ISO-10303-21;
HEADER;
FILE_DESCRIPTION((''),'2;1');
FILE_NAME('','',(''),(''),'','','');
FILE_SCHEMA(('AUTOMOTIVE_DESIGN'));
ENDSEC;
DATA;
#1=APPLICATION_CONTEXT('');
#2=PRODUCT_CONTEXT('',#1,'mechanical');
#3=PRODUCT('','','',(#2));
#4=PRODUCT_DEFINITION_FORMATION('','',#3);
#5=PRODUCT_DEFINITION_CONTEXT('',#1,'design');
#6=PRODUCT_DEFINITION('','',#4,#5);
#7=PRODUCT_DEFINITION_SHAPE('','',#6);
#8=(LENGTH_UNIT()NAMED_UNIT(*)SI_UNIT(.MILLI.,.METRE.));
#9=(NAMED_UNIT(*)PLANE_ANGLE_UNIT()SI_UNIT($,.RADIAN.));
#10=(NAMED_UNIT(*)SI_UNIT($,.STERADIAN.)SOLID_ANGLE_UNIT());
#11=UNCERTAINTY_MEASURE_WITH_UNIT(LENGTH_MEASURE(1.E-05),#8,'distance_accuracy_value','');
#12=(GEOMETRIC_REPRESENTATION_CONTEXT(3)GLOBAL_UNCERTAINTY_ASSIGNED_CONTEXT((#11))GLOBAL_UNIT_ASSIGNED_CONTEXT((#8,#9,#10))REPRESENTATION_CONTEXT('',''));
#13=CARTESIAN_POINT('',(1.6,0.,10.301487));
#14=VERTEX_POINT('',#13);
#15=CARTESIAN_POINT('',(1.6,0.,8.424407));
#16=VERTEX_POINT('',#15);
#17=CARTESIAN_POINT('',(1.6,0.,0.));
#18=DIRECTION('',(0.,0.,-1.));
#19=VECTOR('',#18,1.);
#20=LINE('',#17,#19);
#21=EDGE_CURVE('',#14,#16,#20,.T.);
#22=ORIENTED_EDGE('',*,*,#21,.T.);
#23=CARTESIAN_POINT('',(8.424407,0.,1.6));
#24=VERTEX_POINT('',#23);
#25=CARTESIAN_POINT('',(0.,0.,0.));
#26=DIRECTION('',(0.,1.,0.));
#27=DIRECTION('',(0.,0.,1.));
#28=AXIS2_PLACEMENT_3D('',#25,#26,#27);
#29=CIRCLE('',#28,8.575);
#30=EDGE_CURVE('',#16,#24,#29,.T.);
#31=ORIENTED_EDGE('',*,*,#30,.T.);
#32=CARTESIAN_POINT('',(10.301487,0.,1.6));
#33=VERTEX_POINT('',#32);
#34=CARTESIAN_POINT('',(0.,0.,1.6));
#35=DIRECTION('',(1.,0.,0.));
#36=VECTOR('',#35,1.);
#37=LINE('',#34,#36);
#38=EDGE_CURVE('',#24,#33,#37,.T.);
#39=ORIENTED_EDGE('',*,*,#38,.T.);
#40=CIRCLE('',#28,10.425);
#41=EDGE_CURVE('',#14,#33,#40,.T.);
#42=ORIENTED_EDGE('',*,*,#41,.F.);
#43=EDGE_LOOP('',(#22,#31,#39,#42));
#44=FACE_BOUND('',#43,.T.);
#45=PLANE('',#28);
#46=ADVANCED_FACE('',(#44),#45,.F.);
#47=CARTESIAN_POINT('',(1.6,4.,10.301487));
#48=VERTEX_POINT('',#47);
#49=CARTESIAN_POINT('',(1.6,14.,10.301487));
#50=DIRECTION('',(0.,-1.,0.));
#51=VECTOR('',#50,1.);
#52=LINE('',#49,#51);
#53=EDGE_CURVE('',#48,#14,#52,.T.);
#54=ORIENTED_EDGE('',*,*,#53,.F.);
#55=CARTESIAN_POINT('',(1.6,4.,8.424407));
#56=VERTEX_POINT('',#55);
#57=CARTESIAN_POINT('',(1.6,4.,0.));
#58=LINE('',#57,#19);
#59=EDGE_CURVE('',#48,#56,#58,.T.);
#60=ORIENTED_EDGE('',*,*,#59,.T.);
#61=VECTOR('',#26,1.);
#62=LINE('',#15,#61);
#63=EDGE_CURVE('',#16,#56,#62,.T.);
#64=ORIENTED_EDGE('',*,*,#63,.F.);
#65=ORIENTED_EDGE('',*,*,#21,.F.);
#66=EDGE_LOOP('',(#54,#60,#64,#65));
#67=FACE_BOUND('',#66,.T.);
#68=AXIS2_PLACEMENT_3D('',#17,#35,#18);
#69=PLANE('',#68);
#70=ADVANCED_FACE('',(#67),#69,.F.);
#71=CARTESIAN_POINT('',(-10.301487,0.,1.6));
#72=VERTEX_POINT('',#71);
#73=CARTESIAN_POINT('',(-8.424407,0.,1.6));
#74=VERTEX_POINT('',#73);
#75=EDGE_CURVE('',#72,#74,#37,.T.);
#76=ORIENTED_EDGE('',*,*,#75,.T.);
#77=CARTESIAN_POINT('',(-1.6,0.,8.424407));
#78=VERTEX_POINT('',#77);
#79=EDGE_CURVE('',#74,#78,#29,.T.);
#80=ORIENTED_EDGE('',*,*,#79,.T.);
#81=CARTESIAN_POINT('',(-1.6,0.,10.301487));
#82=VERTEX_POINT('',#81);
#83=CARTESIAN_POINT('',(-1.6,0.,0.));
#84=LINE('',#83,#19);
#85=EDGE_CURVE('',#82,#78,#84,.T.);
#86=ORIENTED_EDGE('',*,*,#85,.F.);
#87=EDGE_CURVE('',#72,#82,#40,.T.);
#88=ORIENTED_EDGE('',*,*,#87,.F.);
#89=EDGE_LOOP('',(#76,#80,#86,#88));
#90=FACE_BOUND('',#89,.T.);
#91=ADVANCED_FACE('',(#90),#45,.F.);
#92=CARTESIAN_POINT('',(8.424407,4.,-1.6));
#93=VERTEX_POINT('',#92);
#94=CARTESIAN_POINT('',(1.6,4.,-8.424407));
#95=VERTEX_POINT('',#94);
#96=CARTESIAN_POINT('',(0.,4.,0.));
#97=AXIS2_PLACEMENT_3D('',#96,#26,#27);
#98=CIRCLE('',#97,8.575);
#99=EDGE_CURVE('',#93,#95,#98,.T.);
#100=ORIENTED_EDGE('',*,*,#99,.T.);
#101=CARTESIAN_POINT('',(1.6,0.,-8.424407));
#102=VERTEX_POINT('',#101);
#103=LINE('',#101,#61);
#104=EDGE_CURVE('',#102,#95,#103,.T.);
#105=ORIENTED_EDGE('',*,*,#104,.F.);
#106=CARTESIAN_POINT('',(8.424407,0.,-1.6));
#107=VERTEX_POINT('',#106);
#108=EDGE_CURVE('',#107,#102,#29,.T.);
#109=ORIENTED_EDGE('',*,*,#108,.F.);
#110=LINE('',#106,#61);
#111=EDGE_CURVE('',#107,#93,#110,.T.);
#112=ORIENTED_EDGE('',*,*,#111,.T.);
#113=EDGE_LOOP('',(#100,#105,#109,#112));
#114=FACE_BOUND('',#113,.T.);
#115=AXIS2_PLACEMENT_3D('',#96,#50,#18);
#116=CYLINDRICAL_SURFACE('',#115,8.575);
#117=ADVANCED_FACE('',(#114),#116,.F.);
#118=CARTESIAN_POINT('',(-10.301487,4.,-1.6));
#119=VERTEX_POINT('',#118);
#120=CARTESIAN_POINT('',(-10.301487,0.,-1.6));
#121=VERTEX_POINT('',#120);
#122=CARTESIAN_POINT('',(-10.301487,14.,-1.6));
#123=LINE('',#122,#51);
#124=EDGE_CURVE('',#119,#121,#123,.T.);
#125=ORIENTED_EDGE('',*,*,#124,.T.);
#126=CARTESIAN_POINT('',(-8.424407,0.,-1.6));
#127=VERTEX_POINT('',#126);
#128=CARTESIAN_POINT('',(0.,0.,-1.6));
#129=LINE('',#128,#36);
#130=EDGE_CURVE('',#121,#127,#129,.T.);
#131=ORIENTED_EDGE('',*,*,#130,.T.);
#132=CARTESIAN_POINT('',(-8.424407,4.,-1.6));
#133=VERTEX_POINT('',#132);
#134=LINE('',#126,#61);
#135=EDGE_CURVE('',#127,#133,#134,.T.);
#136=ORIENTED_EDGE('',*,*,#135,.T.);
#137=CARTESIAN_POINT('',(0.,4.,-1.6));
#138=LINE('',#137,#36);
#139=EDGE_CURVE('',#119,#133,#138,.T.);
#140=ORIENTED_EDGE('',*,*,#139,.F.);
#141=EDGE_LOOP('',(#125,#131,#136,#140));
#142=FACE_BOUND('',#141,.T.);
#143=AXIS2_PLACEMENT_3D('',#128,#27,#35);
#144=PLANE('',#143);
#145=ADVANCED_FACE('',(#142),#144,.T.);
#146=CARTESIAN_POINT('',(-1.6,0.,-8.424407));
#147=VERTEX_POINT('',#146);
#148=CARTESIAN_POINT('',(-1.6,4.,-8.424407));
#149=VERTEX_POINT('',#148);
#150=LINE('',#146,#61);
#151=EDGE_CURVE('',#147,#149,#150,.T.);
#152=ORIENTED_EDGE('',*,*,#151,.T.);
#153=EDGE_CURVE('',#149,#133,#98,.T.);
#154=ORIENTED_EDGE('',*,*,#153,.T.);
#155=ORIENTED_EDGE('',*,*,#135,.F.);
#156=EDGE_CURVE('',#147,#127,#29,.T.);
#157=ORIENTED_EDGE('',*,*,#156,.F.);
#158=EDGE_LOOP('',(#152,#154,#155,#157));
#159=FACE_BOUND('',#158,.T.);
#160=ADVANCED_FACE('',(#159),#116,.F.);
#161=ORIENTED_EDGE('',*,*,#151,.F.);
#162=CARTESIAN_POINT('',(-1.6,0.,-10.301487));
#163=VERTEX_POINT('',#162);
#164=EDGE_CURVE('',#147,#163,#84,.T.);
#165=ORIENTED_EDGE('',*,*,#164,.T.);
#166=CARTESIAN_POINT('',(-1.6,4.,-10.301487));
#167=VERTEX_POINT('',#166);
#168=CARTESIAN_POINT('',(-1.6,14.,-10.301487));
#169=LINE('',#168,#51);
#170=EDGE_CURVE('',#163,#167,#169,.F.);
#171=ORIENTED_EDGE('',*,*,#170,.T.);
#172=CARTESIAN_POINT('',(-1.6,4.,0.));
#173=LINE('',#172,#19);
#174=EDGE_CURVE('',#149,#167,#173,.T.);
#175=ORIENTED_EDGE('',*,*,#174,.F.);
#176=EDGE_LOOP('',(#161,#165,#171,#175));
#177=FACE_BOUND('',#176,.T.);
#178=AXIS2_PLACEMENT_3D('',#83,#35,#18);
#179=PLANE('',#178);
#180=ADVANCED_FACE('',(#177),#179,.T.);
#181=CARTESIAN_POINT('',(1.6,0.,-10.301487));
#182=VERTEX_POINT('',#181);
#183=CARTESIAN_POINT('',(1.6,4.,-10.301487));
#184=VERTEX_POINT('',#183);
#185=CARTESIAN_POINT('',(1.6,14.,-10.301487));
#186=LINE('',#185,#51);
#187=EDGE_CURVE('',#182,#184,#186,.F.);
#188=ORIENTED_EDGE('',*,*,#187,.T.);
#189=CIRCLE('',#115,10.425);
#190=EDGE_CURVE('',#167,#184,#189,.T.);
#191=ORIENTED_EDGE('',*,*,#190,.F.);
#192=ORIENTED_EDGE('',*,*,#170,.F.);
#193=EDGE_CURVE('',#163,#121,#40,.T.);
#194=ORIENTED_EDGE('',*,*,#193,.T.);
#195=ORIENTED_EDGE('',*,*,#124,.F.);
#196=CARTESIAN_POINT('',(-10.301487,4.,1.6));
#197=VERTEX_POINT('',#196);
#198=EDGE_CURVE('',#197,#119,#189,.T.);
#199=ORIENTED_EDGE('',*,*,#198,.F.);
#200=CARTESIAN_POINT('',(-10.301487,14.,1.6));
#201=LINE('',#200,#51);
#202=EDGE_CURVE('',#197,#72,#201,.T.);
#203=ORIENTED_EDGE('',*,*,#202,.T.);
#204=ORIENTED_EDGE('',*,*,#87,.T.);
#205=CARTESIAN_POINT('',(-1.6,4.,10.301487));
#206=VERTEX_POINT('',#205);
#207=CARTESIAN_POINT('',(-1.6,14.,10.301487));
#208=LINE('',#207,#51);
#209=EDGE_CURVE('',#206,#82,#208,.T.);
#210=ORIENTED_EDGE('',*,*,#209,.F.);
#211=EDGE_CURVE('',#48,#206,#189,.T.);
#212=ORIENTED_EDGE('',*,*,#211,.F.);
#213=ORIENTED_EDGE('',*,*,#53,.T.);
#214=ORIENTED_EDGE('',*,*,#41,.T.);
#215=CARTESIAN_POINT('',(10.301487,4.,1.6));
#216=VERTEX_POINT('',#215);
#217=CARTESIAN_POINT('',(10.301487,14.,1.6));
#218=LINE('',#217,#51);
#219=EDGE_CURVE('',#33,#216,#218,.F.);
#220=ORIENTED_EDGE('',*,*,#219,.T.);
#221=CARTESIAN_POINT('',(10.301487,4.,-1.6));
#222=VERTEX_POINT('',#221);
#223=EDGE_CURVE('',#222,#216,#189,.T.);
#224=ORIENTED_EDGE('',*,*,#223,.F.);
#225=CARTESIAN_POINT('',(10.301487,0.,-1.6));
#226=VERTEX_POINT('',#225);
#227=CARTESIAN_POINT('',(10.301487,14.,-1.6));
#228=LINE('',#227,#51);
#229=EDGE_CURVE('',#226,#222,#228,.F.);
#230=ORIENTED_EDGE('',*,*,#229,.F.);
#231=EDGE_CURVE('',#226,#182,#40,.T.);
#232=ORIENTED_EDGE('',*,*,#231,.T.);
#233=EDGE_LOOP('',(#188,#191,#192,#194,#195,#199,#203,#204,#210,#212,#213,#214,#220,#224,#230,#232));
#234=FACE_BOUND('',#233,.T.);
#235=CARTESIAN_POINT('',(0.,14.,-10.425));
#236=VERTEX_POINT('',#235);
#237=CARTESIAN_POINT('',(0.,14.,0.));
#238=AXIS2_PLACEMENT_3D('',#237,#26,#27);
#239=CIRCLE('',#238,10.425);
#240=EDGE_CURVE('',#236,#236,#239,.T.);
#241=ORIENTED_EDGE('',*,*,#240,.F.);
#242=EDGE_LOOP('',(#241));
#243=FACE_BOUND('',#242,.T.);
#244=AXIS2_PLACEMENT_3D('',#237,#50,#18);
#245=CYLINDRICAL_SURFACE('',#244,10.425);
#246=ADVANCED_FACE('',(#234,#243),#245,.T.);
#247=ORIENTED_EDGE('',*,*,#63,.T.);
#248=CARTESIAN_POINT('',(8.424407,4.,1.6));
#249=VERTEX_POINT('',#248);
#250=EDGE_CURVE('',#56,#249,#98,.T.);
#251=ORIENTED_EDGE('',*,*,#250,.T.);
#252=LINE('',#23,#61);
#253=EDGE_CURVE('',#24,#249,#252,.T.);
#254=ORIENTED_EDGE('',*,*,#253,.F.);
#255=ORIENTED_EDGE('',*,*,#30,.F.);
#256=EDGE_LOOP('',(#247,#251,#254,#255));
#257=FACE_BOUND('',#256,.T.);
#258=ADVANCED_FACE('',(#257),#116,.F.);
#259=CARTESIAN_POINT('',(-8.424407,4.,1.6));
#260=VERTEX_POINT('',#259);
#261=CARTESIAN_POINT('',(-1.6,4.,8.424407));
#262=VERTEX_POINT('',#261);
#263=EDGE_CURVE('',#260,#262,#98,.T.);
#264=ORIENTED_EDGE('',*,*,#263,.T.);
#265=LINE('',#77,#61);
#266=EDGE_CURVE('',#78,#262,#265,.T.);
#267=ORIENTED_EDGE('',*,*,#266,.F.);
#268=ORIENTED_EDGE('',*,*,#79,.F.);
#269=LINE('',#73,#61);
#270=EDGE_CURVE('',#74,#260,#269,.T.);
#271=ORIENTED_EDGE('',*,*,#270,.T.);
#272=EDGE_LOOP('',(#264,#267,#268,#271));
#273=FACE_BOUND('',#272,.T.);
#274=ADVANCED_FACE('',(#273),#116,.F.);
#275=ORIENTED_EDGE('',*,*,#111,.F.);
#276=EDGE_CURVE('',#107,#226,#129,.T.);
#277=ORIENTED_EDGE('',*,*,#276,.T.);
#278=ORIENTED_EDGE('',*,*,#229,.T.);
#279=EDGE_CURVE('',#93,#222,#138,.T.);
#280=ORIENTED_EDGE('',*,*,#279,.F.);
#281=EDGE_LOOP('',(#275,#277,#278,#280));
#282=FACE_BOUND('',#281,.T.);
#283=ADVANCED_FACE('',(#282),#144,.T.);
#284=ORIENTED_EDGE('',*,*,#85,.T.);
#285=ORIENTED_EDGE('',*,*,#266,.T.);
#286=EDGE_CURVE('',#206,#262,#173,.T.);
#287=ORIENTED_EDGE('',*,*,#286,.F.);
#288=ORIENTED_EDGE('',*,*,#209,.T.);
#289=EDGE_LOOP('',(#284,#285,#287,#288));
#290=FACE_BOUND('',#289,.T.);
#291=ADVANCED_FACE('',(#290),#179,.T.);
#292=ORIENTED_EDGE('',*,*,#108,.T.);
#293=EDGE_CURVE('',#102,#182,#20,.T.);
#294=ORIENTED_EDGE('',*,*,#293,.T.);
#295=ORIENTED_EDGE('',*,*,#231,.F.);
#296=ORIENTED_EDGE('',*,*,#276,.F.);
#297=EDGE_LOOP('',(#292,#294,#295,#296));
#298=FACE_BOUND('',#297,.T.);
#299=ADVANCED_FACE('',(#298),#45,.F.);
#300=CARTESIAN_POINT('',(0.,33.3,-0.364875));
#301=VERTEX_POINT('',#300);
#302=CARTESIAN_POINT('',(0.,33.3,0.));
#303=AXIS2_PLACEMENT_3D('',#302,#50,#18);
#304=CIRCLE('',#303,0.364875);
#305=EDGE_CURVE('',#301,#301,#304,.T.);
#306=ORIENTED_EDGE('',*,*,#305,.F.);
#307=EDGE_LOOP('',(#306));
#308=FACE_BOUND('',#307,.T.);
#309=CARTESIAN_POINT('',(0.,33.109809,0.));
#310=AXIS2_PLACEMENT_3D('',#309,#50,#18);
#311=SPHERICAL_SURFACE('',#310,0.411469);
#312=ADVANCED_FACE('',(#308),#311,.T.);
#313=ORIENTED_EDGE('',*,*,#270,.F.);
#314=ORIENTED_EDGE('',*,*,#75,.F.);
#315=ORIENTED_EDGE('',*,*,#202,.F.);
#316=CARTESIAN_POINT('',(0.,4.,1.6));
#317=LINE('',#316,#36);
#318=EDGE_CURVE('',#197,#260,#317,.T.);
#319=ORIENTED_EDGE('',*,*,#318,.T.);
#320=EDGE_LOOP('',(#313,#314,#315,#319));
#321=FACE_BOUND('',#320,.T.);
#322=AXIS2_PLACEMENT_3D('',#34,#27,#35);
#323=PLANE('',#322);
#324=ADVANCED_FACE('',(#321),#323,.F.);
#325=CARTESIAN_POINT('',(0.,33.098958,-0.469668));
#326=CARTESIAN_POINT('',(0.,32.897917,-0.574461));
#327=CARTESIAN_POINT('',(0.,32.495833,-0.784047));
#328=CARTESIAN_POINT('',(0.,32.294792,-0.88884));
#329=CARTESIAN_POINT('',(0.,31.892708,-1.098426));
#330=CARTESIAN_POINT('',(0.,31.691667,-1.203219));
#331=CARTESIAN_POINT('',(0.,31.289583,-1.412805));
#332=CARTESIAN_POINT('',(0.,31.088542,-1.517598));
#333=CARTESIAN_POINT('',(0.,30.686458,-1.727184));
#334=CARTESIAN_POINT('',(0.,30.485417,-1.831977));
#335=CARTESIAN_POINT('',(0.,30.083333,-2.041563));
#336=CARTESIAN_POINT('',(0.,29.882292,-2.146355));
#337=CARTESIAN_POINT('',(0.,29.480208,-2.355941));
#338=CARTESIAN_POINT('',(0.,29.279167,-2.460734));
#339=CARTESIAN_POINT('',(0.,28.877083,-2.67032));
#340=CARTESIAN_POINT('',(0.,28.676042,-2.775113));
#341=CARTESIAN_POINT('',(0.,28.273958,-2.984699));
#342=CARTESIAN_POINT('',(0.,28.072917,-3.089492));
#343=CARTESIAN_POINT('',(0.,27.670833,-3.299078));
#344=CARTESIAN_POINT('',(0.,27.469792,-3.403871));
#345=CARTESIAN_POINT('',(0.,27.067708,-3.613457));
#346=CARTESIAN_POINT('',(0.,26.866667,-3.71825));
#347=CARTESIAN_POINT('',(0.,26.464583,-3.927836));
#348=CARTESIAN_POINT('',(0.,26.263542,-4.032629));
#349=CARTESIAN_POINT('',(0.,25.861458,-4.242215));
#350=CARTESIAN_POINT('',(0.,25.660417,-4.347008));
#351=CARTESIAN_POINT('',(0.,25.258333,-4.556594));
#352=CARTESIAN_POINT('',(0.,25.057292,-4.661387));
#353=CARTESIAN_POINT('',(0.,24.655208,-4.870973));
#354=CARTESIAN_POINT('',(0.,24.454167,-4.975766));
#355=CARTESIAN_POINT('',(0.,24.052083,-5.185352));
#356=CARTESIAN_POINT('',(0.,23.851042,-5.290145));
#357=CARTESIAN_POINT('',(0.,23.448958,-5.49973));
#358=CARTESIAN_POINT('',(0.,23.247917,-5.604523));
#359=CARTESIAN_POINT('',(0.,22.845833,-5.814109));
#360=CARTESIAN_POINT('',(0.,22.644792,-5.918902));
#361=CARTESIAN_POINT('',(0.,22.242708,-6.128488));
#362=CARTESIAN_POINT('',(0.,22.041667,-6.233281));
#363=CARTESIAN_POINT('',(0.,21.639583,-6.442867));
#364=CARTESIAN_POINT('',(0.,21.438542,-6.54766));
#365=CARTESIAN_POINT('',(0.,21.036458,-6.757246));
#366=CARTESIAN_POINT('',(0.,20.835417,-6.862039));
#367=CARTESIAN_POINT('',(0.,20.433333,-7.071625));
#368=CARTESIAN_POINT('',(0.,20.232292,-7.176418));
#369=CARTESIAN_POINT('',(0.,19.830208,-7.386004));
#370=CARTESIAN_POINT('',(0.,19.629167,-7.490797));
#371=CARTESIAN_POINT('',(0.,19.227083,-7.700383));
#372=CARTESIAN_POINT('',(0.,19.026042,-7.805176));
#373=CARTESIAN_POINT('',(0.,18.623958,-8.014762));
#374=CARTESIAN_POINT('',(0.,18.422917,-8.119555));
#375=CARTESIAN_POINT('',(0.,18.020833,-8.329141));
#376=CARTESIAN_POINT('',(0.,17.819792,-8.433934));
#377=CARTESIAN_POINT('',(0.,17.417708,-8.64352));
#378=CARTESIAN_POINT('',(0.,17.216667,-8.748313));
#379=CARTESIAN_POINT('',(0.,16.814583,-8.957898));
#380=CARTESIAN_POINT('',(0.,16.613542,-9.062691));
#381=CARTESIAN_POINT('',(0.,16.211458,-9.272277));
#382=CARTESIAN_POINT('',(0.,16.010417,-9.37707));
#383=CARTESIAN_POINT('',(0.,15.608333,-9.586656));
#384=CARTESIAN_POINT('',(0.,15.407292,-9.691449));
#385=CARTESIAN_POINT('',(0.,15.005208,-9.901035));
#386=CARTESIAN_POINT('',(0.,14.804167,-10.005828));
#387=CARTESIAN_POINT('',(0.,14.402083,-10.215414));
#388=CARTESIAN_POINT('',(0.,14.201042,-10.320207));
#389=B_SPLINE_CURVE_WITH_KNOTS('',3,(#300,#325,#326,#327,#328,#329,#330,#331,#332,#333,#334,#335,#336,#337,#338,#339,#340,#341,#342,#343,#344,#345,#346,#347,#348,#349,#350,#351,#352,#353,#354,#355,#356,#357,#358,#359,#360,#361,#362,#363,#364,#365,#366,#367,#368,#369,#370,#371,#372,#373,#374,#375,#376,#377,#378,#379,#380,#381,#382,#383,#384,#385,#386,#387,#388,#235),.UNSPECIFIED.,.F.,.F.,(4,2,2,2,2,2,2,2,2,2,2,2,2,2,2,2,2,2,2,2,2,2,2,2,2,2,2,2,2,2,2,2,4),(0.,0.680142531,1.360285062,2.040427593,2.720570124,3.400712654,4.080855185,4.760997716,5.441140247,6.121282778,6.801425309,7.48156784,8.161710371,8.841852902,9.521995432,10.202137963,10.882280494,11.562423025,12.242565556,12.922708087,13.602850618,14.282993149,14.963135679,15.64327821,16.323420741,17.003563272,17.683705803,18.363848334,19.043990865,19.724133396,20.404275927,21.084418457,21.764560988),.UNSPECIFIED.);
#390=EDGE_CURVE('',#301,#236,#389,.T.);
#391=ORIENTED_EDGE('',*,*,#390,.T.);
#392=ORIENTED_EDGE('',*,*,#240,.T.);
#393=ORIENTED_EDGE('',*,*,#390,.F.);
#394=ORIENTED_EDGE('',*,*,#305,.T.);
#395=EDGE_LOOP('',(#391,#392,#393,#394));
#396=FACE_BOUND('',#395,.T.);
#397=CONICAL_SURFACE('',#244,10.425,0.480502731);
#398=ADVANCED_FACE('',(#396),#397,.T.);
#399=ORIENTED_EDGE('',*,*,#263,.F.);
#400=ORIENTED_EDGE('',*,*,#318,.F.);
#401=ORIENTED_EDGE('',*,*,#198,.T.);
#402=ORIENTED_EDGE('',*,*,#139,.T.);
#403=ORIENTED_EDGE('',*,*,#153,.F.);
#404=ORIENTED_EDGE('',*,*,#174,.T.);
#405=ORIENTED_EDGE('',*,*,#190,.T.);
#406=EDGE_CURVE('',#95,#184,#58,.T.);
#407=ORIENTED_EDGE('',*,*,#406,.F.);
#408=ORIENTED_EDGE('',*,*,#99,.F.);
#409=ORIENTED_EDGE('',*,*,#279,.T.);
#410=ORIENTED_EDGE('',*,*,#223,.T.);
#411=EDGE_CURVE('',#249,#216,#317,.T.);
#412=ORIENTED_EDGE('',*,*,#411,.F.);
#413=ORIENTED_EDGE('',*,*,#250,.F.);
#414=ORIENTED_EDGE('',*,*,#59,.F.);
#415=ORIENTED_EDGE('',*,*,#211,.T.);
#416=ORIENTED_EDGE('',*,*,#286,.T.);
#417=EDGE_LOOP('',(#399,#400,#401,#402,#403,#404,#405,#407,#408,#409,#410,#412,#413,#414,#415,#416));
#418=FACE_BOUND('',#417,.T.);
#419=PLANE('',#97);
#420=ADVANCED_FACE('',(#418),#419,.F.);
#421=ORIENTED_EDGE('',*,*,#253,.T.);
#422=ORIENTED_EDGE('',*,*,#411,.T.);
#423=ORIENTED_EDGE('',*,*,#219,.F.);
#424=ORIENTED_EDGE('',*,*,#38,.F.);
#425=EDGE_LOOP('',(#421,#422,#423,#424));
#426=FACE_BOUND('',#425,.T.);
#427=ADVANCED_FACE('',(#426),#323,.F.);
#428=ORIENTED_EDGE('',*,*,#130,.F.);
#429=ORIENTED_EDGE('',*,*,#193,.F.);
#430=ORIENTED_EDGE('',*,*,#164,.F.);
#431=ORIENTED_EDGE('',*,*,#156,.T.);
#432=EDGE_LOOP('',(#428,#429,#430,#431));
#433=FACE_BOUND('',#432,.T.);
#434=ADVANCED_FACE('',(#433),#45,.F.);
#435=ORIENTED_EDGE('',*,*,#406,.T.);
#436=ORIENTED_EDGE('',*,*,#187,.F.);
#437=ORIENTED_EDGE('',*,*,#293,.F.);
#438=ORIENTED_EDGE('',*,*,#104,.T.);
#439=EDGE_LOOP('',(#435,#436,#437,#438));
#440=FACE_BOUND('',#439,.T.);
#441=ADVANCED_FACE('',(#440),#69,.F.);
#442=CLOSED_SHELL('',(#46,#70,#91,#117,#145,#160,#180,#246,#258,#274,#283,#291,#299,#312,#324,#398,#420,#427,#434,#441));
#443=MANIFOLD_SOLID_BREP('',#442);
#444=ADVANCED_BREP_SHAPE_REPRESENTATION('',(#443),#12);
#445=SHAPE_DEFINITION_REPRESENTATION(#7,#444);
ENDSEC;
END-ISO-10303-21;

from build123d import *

# Parameters (mm, degrees)
SKETCH1_R           = 10.425
SKETCH1_R_2         = 8.575
BOSS_EXTRUDE1_DEPTH = 14
SKETCH1_2_R         = 8.575
BOSS_EXTRUDE2_DEPTH = 14
SKETCH1_3_R         = 8.575
CUT_EXTRUDE1_DEPTH  = 4
CUT_EXTRUDE3_START  = 4
CUT_EXTRUDE3_DEPTH  = 4


with BuildPart() as part:
    # Sketch1 → Boss-Extrude1 (new body)
    with BuildSketch(Plane(origin=(0, 0, 0), x_dir=(1, 0, 0), z_dir=(0, 1, 0))):
        Circle(SKETCH1_R)
        Circle(SKETCH1_R_2, mode=Mode.SUBTRACT)
    extrude(amount=BOSS_EXTRUDE1_DEPTH)

    # Sketch1<2> → Boss-Extrude2 (add)
    with BuildSketch(Plane(origin=(0, 0, 0), x_dir=(1, 0, 0), z_dir=(0, 1, 0))):
        Circle(SKETCH1_2_R)
    extrude(amount=BOSS_EXTRUDE2_DEPTH)

    # Sketch1<3> → Cut-Extrude1 (cut)
    with BuildSketch(Plane(origin=(0, 0, 0), x_dir=(1, 0, 0), z_dir=(0, 1, 0))):
        Circle(SKETCH1_3_R)
    extrude(amount=CUT_EXTRUDE1_DEPTH, mode=Mode.SUBTRACT)

    # Sketch2 → Cut-Extrude3 (cut)
    with BuildSketch(Plane.XZ.offset(-4).offset(CUT_EXTRUDE3_START)):
        with BuildLine():
            Line((-1.6, -8.424406507), (-1.6, -11.258312908))
            Line((-1.6, -11.258312908), (1.6, -11.258312908))
            Line((1.6, -11.258312908), (1.6, -8.424406507))
            ThreePointArc((1.6, -8.424406507), (0, -8.575), (-1.6, -8.424406507))
        make_face()
        with BuildLine():
            Line((-10.902270297, -1.6), (-8.424406507, -1.6))
            ThreePointArc((-8.424406507, -1.6), (-8.575, 0), (-8.424406507, 1.6))
            Line((-8.424406507, 1.6), (-10.902270297, 1.6))
            Line((-10.902270297, 1.6), (-10.902270297, -1.6))
        make_face()
        with BuildLine():
            Line((-1.6, 10.963656954), (-1.6, 8.424406507))
            ThreePointArc((-1.6, 8.424406507), (-0.803535687, 8.537268615), (0, 8.575))
            ThreePointArc((0, 8.575), (0.803535687, 8.537268615), (1.6, 8.424406507))
            Line((1.6, 8.424406507), (1.6, 10.963656954))
            Line((1.6, 10.963656954), (-1.6, 10.963656954))
        make_face()
        with BuildLine():
            ThreePointArc((8.424406507, 1.6), (8.575, 0), (8.424406507, -1.6))
            Line((8.424406507, -1.6), (11.025043611, -1.6))
            Line((11.025043611, -1.6), (11.025043611, 1.6))
            Line((11.025043611, 1.6), (8.424406507, 1.6))
        make_face()
    extrude(amount=-CUT_EXTRUDE3_DEPTH, mode=Mode.SUBTRACT)

    # Sketch4 → Revolve4 (revolve)
    with BuildSketch(Plane(origin=(0, 0, 0), x_dir=(0, 0, -1), z_dir=(1, 0, 0))):
        with BuildLine():
            Line((0.364875, 33.3), (10.425, 14))
            Line((10.425, 14), (0, 14))
            Line((0, 14), (0, 33.521277517))
            ThreePointArc((0, 33.521277517), (0.213364421, 33.461635627), (0.364875, 33.3))
        make_face()
    revolve(axis=Axis((0, 14, 0), (0, 1, 0)))


solid = part.part
